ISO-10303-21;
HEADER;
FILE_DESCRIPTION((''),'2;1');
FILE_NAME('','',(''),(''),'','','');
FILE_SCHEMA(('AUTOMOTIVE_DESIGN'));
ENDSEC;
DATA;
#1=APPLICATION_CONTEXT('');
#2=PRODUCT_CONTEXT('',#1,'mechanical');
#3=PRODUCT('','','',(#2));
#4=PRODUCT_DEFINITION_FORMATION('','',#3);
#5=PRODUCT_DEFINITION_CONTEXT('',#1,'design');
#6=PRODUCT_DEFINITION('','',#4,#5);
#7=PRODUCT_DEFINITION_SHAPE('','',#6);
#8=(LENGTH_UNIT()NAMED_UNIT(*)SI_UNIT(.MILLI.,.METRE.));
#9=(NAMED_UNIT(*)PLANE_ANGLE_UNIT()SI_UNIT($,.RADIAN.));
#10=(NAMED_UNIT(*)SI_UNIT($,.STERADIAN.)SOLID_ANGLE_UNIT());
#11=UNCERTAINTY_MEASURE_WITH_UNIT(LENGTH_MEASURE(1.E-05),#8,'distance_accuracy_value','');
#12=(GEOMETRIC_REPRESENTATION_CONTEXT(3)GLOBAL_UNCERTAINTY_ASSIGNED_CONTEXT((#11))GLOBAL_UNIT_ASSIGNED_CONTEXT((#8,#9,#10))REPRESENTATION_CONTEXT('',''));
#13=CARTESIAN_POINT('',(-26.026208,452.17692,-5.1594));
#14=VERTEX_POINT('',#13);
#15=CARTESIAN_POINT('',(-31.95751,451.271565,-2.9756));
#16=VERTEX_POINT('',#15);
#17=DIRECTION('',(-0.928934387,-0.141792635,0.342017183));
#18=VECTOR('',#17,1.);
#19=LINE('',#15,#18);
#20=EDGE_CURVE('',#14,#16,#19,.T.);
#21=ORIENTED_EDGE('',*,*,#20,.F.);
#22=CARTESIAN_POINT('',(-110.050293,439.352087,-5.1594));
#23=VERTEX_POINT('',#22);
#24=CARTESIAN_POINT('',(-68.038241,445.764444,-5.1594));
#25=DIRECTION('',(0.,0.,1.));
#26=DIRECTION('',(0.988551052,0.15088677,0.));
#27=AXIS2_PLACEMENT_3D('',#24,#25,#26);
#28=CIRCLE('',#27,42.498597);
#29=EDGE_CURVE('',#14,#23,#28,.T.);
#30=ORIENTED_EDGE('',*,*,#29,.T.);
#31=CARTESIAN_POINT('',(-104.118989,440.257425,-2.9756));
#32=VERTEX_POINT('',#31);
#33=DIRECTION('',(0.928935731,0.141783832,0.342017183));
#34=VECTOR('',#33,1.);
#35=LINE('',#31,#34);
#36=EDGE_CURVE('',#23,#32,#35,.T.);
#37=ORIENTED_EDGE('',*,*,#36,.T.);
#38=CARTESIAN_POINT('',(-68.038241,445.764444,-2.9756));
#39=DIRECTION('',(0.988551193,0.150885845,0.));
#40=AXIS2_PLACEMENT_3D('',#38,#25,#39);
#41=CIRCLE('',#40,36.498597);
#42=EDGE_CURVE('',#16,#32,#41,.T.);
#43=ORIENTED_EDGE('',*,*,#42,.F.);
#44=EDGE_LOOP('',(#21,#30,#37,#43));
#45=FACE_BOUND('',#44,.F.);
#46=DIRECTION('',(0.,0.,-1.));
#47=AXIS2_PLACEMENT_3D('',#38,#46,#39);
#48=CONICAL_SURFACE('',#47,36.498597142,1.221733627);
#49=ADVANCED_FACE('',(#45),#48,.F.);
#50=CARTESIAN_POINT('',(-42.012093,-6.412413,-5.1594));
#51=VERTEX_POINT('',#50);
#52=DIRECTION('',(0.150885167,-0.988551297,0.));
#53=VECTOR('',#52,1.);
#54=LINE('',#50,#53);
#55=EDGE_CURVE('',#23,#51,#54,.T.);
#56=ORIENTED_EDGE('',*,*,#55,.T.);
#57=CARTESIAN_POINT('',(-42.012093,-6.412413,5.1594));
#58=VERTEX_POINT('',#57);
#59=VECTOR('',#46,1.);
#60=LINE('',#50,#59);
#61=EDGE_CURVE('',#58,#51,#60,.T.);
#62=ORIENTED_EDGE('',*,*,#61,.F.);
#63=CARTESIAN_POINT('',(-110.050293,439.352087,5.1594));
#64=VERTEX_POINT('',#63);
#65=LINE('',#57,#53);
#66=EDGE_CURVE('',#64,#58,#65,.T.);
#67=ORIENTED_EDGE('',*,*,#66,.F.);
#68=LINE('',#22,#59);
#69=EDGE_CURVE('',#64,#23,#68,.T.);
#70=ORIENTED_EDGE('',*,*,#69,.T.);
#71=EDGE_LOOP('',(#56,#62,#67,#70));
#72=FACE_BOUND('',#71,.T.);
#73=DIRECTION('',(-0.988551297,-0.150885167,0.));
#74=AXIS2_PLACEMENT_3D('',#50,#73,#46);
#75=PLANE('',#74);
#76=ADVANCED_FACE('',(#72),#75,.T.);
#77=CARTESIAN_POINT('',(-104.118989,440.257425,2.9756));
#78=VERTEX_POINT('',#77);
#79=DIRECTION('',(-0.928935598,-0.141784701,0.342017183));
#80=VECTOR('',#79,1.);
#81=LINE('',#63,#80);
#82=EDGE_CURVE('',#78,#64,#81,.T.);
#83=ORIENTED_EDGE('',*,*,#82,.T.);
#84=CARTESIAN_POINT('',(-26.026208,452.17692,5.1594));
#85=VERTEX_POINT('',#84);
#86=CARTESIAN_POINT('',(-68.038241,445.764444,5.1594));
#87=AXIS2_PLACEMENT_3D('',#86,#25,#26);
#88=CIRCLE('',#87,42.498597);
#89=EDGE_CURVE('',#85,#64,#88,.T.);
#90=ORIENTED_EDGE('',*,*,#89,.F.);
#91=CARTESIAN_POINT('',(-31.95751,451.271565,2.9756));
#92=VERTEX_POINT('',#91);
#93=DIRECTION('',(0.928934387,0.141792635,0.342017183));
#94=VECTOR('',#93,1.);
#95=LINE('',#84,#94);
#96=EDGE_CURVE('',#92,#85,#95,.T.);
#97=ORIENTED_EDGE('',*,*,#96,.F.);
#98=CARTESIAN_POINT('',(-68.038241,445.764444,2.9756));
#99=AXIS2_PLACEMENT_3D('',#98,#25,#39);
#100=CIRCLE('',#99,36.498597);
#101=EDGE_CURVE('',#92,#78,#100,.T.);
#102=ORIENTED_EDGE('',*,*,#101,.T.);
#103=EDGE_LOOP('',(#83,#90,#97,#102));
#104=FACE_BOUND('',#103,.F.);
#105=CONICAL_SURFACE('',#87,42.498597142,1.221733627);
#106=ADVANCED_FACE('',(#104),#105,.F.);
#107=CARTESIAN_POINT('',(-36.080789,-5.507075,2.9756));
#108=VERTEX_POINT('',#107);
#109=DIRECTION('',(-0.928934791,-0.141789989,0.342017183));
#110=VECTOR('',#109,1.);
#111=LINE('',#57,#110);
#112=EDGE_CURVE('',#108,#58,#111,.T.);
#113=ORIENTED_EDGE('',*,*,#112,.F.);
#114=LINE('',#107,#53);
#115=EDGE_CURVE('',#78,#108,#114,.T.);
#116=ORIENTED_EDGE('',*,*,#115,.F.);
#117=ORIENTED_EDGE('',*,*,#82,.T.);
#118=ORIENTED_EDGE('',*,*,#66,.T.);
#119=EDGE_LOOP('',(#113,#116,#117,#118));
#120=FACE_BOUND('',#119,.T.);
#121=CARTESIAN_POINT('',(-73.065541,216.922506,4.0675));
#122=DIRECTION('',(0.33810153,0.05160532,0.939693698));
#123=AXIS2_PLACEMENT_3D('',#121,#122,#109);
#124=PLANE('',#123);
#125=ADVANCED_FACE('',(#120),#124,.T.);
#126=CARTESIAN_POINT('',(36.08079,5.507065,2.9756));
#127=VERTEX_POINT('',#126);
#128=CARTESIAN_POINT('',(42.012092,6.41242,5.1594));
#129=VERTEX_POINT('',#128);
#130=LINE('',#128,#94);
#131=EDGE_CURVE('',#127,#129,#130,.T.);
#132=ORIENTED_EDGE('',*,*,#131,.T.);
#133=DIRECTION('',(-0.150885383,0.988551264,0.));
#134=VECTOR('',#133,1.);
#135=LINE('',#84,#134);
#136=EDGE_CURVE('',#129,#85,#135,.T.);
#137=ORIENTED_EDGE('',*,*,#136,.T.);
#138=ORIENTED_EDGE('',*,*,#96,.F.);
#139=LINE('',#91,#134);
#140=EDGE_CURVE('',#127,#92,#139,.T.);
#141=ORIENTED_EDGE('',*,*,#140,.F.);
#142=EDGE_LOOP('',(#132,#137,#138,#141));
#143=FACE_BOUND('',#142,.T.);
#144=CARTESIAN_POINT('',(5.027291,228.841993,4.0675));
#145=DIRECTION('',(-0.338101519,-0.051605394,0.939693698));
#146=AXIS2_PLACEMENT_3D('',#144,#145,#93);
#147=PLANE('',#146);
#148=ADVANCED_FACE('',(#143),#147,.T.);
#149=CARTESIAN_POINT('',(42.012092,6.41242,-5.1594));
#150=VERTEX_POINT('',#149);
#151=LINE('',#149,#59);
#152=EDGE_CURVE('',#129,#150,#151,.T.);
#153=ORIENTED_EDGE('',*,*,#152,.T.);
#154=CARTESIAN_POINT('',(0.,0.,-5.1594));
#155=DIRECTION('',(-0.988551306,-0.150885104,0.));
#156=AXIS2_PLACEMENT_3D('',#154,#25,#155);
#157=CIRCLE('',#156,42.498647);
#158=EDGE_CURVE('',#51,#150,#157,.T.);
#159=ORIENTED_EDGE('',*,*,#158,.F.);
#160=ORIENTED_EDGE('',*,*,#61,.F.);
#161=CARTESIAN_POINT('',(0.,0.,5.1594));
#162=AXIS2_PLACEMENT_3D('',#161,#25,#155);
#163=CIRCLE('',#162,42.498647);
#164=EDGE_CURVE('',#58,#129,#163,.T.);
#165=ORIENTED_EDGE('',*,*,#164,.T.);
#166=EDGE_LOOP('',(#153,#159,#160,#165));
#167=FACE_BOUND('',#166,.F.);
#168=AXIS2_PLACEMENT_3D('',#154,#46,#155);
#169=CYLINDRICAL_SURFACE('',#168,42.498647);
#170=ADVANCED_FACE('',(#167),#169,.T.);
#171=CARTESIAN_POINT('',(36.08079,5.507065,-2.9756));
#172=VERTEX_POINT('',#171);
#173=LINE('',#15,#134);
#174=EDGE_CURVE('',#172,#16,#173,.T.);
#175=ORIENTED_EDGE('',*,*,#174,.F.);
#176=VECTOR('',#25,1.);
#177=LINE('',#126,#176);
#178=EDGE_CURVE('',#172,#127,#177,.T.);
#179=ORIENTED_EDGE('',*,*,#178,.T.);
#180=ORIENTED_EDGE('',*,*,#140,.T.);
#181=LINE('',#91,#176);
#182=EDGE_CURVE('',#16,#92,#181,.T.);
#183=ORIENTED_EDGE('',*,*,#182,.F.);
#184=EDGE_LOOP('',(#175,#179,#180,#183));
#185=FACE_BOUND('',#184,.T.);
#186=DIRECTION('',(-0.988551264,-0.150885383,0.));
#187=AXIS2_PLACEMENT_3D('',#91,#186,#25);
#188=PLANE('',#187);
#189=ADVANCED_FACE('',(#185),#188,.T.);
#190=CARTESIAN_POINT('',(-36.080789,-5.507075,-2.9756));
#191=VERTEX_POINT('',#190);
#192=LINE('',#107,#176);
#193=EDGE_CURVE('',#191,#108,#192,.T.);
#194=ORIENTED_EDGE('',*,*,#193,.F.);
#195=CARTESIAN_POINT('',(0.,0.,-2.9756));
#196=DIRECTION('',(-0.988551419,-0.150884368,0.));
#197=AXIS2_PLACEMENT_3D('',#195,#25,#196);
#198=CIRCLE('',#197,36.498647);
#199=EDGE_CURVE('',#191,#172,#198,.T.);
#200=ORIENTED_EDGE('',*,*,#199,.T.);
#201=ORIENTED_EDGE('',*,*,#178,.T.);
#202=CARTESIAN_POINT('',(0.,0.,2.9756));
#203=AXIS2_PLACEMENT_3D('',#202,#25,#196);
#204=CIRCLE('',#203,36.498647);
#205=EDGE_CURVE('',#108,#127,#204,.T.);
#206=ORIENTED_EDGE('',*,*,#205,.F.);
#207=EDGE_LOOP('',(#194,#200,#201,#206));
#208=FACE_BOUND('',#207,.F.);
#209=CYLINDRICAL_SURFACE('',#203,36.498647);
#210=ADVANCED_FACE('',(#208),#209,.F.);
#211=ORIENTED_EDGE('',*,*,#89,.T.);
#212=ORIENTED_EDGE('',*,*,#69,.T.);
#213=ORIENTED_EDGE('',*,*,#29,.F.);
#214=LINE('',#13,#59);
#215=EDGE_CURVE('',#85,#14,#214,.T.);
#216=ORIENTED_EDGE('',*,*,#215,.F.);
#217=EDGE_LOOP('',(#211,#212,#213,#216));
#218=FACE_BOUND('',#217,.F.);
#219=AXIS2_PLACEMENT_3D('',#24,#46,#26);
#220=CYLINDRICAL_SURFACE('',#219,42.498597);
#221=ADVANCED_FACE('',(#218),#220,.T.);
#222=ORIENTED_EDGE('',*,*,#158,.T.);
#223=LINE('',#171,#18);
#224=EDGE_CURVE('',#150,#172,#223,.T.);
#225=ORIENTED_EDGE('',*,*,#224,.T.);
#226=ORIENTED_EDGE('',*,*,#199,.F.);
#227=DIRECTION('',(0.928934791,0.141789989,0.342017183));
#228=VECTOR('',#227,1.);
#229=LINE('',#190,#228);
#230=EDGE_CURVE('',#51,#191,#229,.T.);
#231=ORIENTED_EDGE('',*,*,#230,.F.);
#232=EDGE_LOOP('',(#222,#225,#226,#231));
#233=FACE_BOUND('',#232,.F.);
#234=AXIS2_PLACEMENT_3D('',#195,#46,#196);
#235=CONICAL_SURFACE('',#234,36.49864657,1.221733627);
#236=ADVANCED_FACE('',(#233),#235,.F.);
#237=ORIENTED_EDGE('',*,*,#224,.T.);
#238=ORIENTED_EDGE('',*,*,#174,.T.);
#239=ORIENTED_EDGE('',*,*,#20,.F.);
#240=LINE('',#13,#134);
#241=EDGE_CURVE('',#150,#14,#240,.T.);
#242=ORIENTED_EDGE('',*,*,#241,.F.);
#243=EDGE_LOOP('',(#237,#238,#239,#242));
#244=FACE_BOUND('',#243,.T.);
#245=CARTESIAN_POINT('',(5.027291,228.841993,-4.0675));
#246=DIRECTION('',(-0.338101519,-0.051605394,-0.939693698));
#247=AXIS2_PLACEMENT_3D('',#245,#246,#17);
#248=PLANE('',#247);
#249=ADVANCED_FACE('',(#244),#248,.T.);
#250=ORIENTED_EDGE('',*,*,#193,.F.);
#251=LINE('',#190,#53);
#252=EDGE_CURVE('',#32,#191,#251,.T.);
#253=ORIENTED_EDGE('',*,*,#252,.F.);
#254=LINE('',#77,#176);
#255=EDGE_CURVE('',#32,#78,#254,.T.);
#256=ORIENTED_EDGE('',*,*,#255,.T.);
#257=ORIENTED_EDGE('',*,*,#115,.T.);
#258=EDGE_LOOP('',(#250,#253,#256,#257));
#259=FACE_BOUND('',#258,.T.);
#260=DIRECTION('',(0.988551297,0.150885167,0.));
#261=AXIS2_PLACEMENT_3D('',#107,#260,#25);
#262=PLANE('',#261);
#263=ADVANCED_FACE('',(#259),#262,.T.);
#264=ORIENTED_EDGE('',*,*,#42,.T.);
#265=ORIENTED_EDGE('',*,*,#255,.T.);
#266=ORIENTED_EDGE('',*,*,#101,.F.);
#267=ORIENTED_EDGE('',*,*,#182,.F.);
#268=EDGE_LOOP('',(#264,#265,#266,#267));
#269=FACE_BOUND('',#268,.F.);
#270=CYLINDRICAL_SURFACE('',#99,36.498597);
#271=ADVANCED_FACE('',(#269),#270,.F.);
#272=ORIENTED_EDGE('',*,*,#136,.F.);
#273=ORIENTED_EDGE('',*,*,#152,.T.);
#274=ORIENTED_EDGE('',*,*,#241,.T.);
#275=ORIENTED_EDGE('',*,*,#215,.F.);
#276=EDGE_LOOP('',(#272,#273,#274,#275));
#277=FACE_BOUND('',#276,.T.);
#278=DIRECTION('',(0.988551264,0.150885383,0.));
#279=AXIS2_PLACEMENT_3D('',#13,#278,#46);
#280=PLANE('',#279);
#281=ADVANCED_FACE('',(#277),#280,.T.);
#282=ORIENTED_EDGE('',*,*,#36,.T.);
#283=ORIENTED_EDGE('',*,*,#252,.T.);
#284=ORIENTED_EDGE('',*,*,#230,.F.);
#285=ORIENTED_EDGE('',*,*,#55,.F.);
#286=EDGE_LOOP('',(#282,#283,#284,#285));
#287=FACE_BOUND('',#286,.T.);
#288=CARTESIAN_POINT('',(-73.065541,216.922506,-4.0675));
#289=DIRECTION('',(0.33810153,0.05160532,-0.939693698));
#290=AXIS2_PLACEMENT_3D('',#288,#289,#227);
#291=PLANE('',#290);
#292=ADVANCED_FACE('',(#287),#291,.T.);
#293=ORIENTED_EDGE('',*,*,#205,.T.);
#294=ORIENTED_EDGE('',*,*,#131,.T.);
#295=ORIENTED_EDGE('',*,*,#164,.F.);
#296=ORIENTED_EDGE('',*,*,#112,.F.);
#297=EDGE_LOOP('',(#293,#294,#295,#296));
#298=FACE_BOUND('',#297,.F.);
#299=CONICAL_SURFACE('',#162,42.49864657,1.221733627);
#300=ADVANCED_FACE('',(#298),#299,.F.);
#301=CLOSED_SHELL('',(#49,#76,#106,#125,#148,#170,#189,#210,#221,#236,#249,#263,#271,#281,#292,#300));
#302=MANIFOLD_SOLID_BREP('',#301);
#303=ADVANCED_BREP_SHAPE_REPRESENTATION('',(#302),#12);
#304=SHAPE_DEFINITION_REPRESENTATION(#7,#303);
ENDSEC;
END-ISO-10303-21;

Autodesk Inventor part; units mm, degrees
ref_plane "YZ Plane" through (0, 0, 0) normal (1, 0, 0) x (0, 1, 0)
ref_plane "XZ Plane" through (0, 0, 0) normal (0, 1, 0) x (-1, 0, 0)
sketch "Sketch Path" plane through (0, 0, 0) normal (0, 0, 1) x (1, 0, 0)
  arc A0 (-39.5421, -6.0354) -> (39.5421, 6.0354) centre (0, 0) ccw
  arc A1 (-28.4962, 451.7999) -> (-107.5803, 439.7291) centre (-68.0382, 445.7645) ccw
  line L0 (-28.4962, 451.7999) -> (39.5421, 6.0354)
  line L1 (-39.5421, -6.0354) -> (-107.5803, 439.7291)
ref_plane "Cross Section Plane" through (39.5421, 6.0354, 0) normal (-0.1509, 0.9886, 0) x (0, 0, 1)
sketch "Cross Section" plane through (39.5421, 6.0354, 0) normal (-0.1509, 0.9886, 0) x (0, 0, 1)
  line L0 (0, 2.4986) -> (0, -3.5014) construction
  line L1 (-4.25, 0) -> (4.25, 0) construction
  line L2 (-5.1594, 2.4986) -> (5.1594, 2.4986)
  line L3 (5.1594, 2.4986) -> (2.9756, -3.5014)
  line L4 (2.9756, -3.5014) -> (-2.9756, -3.5014)
  line L5 (-2.9756, -3.5014) -> (-5.1594, 2.4986)
  point P0 (0, 0)
  point P1 (0, 0)
  point P2 (0, 0)
  dimension "d0" = 8.5
  dimension "d1" = 2.4986
  dimension "d2" = 40
  dimension "d3" = 6
sweep "Belt" add profiles "Cross Section" path "Sketch Path"
equation "\"d0\" = da_Bw"
equation "\"d1\" = da_Hw"
equation "\"d2\" = da_Alfa"
equation "\"d3\" = da_H"
equation "\"da_Alfa\" = 40deg"
equation "\"da_H\" = 6"
equation "\"da_Bw\" = 8.5"
equation "\"da_Hw\" = 2.49859"
properties part number "V-Belt" material "Rubber"
